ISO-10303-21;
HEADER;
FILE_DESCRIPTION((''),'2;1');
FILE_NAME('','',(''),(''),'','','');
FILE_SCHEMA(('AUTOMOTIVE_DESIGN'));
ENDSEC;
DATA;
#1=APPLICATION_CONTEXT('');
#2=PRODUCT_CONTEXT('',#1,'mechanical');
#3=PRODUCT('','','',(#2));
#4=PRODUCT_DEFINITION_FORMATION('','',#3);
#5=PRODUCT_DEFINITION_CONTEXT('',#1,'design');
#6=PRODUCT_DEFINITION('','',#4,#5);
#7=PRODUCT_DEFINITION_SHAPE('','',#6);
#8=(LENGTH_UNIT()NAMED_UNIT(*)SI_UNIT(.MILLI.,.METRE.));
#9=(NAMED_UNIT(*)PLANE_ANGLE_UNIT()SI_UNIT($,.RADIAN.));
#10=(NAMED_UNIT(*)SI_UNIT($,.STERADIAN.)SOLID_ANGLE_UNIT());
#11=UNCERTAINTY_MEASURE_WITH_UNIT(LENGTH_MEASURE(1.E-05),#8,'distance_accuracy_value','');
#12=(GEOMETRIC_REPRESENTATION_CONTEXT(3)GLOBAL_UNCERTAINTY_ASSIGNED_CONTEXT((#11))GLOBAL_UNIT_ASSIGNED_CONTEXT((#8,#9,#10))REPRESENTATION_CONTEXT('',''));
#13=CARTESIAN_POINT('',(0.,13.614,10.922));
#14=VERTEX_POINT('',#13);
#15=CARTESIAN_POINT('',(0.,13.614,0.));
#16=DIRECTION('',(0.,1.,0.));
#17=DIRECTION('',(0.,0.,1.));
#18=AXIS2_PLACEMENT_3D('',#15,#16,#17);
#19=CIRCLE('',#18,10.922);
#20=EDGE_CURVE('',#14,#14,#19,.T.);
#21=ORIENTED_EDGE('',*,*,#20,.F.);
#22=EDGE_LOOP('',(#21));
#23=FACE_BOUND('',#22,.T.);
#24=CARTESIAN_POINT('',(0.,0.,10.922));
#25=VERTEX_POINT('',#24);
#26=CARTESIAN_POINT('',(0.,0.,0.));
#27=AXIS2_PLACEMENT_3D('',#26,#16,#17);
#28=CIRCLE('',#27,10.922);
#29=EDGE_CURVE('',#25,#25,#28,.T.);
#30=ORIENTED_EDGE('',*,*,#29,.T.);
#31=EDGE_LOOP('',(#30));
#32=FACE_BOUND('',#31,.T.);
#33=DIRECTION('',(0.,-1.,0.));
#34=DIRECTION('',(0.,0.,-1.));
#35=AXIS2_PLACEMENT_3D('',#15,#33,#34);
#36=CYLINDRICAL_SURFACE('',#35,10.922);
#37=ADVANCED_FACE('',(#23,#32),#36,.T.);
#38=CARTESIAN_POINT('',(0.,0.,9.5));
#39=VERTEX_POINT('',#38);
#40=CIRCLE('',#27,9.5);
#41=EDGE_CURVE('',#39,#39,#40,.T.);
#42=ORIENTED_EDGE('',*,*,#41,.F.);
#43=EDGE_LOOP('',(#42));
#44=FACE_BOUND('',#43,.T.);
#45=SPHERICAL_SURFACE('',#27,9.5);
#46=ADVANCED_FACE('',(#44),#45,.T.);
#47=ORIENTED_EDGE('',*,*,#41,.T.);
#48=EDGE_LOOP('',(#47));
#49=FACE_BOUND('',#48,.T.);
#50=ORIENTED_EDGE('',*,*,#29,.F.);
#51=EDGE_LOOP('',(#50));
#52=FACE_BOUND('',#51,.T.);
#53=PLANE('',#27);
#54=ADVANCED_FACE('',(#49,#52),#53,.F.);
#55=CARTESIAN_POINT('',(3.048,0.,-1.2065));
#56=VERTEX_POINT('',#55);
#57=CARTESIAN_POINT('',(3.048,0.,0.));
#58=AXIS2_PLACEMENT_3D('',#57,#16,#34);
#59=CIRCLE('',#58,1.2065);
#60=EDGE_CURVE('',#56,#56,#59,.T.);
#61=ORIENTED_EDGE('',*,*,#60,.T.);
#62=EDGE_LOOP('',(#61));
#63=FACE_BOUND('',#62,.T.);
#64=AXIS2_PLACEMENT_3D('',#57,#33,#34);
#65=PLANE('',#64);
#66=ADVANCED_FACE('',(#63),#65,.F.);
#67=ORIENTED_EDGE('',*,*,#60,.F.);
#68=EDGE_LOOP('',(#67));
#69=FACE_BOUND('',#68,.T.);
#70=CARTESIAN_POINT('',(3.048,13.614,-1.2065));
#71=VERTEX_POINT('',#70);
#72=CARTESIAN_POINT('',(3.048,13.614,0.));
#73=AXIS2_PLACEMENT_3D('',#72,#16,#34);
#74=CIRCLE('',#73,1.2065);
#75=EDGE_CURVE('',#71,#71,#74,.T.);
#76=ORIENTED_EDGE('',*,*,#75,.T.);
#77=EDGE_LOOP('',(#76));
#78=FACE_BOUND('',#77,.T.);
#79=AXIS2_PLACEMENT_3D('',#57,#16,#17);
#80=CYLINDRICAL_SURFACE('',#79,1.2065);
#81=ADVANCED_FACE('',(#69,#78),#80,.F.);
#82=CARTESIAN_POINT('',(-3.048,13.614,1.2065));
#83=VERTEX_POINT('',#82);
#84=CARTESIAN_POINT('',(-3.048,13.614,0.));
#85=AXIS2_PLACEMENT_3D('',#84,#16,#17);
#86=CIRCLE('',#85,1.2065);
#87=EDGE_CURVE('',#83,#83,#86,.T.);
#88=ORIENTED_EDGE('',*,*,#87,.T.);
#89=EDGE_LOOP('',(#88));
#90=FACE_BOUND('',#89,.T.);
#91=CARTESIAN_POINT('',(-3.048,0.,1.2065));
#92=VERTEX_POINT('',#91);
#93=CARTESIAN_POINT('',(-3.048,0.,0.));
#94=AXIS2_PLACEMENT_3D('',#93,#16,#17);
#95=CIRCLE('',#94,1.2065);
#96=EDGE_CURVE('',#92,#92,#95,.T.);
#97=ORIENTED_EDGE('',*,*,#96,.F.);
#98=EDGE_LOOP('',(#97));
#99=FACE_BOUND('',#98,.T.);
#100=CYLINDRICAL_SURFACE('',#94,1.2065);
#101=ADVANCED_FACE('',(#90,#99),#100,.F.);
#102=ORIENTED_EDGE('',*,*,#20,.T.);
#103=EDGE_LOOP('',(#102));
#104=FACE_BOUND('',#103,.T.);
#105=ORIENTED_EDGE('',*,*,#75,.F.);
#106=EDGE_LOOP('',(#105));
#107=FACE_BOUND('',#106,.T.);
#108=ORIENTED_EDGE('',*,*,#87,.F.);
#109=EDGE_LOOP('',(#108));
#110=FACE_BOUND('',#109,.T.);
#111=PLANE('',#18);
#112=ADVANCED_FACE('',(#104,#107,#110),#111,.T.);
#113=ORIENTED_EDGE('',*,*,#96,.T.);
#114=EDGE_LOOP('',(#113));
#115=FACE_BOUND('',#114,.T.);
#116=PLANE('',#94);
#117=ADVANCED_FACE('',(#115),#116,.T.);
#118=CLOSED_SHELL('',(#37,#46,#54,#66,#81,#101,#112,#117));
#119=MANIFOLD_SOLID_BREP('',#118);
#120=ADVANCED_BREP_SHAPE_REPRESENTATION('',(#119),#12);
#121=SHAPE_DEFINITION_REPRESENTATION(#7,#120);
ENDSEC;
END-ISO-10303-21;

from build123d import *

# Parameters (mm, degrees)
CROQUIS7_R              = 10.922
SALIENTE_EXTRUIR2_DEPTH = 13.614
CROQUIS8_R              = 1.2065
CORTAR_EXTRUIR3_DEPTH   = 13.614


with BuildPart() as part:
    # Croquis1 → Revolución1 (revolve)
    with BuildSketch(Plane.XY):
        with BuildLine():
            Line((-9.5, 0), (9.5, 0))
            ThreePointArc((9.5, 0), (0, 9.5), (-9.5, 0))
        make_face()
    revolve(axis=Axis((-9.5, 0, 0), (1, 0, 0)))

    # Croquis7 → Saliente-Extruir2 (add)
    with BuildSketch(Plane(origin=(0, 0, 0), x_dir=(1, 0, 0), z_dir=(0, 1, 0))):
        with Locations(Location((0, 0, 0), (0, 0, 270))):
            Circle(CROQUIS7_R)
    extrude(amount=SALIENTE_EXTRUIR2_DEPTH)

    # Croquis8 → Cortar-Extruir3 (cut)
    with BuildSketch(Plane(origin=(0, 13.614, 0), x_dir=(1, 0, 0), z_dir=(0, 1, 0))):
        with Locations(Location((-3.048, 0, 0), (0, 0, 270))):
            Circle(CROQUIS8_R)
        with Locations(Location((3.048, 0, 0), (0, 0, 90))):
            Circle(CROQUIS8_R)
    extrude(amount=-CORTAR_EXTRUIR3_DEPTH, mode=Mode.SUBTRACT)


solid = part.part
